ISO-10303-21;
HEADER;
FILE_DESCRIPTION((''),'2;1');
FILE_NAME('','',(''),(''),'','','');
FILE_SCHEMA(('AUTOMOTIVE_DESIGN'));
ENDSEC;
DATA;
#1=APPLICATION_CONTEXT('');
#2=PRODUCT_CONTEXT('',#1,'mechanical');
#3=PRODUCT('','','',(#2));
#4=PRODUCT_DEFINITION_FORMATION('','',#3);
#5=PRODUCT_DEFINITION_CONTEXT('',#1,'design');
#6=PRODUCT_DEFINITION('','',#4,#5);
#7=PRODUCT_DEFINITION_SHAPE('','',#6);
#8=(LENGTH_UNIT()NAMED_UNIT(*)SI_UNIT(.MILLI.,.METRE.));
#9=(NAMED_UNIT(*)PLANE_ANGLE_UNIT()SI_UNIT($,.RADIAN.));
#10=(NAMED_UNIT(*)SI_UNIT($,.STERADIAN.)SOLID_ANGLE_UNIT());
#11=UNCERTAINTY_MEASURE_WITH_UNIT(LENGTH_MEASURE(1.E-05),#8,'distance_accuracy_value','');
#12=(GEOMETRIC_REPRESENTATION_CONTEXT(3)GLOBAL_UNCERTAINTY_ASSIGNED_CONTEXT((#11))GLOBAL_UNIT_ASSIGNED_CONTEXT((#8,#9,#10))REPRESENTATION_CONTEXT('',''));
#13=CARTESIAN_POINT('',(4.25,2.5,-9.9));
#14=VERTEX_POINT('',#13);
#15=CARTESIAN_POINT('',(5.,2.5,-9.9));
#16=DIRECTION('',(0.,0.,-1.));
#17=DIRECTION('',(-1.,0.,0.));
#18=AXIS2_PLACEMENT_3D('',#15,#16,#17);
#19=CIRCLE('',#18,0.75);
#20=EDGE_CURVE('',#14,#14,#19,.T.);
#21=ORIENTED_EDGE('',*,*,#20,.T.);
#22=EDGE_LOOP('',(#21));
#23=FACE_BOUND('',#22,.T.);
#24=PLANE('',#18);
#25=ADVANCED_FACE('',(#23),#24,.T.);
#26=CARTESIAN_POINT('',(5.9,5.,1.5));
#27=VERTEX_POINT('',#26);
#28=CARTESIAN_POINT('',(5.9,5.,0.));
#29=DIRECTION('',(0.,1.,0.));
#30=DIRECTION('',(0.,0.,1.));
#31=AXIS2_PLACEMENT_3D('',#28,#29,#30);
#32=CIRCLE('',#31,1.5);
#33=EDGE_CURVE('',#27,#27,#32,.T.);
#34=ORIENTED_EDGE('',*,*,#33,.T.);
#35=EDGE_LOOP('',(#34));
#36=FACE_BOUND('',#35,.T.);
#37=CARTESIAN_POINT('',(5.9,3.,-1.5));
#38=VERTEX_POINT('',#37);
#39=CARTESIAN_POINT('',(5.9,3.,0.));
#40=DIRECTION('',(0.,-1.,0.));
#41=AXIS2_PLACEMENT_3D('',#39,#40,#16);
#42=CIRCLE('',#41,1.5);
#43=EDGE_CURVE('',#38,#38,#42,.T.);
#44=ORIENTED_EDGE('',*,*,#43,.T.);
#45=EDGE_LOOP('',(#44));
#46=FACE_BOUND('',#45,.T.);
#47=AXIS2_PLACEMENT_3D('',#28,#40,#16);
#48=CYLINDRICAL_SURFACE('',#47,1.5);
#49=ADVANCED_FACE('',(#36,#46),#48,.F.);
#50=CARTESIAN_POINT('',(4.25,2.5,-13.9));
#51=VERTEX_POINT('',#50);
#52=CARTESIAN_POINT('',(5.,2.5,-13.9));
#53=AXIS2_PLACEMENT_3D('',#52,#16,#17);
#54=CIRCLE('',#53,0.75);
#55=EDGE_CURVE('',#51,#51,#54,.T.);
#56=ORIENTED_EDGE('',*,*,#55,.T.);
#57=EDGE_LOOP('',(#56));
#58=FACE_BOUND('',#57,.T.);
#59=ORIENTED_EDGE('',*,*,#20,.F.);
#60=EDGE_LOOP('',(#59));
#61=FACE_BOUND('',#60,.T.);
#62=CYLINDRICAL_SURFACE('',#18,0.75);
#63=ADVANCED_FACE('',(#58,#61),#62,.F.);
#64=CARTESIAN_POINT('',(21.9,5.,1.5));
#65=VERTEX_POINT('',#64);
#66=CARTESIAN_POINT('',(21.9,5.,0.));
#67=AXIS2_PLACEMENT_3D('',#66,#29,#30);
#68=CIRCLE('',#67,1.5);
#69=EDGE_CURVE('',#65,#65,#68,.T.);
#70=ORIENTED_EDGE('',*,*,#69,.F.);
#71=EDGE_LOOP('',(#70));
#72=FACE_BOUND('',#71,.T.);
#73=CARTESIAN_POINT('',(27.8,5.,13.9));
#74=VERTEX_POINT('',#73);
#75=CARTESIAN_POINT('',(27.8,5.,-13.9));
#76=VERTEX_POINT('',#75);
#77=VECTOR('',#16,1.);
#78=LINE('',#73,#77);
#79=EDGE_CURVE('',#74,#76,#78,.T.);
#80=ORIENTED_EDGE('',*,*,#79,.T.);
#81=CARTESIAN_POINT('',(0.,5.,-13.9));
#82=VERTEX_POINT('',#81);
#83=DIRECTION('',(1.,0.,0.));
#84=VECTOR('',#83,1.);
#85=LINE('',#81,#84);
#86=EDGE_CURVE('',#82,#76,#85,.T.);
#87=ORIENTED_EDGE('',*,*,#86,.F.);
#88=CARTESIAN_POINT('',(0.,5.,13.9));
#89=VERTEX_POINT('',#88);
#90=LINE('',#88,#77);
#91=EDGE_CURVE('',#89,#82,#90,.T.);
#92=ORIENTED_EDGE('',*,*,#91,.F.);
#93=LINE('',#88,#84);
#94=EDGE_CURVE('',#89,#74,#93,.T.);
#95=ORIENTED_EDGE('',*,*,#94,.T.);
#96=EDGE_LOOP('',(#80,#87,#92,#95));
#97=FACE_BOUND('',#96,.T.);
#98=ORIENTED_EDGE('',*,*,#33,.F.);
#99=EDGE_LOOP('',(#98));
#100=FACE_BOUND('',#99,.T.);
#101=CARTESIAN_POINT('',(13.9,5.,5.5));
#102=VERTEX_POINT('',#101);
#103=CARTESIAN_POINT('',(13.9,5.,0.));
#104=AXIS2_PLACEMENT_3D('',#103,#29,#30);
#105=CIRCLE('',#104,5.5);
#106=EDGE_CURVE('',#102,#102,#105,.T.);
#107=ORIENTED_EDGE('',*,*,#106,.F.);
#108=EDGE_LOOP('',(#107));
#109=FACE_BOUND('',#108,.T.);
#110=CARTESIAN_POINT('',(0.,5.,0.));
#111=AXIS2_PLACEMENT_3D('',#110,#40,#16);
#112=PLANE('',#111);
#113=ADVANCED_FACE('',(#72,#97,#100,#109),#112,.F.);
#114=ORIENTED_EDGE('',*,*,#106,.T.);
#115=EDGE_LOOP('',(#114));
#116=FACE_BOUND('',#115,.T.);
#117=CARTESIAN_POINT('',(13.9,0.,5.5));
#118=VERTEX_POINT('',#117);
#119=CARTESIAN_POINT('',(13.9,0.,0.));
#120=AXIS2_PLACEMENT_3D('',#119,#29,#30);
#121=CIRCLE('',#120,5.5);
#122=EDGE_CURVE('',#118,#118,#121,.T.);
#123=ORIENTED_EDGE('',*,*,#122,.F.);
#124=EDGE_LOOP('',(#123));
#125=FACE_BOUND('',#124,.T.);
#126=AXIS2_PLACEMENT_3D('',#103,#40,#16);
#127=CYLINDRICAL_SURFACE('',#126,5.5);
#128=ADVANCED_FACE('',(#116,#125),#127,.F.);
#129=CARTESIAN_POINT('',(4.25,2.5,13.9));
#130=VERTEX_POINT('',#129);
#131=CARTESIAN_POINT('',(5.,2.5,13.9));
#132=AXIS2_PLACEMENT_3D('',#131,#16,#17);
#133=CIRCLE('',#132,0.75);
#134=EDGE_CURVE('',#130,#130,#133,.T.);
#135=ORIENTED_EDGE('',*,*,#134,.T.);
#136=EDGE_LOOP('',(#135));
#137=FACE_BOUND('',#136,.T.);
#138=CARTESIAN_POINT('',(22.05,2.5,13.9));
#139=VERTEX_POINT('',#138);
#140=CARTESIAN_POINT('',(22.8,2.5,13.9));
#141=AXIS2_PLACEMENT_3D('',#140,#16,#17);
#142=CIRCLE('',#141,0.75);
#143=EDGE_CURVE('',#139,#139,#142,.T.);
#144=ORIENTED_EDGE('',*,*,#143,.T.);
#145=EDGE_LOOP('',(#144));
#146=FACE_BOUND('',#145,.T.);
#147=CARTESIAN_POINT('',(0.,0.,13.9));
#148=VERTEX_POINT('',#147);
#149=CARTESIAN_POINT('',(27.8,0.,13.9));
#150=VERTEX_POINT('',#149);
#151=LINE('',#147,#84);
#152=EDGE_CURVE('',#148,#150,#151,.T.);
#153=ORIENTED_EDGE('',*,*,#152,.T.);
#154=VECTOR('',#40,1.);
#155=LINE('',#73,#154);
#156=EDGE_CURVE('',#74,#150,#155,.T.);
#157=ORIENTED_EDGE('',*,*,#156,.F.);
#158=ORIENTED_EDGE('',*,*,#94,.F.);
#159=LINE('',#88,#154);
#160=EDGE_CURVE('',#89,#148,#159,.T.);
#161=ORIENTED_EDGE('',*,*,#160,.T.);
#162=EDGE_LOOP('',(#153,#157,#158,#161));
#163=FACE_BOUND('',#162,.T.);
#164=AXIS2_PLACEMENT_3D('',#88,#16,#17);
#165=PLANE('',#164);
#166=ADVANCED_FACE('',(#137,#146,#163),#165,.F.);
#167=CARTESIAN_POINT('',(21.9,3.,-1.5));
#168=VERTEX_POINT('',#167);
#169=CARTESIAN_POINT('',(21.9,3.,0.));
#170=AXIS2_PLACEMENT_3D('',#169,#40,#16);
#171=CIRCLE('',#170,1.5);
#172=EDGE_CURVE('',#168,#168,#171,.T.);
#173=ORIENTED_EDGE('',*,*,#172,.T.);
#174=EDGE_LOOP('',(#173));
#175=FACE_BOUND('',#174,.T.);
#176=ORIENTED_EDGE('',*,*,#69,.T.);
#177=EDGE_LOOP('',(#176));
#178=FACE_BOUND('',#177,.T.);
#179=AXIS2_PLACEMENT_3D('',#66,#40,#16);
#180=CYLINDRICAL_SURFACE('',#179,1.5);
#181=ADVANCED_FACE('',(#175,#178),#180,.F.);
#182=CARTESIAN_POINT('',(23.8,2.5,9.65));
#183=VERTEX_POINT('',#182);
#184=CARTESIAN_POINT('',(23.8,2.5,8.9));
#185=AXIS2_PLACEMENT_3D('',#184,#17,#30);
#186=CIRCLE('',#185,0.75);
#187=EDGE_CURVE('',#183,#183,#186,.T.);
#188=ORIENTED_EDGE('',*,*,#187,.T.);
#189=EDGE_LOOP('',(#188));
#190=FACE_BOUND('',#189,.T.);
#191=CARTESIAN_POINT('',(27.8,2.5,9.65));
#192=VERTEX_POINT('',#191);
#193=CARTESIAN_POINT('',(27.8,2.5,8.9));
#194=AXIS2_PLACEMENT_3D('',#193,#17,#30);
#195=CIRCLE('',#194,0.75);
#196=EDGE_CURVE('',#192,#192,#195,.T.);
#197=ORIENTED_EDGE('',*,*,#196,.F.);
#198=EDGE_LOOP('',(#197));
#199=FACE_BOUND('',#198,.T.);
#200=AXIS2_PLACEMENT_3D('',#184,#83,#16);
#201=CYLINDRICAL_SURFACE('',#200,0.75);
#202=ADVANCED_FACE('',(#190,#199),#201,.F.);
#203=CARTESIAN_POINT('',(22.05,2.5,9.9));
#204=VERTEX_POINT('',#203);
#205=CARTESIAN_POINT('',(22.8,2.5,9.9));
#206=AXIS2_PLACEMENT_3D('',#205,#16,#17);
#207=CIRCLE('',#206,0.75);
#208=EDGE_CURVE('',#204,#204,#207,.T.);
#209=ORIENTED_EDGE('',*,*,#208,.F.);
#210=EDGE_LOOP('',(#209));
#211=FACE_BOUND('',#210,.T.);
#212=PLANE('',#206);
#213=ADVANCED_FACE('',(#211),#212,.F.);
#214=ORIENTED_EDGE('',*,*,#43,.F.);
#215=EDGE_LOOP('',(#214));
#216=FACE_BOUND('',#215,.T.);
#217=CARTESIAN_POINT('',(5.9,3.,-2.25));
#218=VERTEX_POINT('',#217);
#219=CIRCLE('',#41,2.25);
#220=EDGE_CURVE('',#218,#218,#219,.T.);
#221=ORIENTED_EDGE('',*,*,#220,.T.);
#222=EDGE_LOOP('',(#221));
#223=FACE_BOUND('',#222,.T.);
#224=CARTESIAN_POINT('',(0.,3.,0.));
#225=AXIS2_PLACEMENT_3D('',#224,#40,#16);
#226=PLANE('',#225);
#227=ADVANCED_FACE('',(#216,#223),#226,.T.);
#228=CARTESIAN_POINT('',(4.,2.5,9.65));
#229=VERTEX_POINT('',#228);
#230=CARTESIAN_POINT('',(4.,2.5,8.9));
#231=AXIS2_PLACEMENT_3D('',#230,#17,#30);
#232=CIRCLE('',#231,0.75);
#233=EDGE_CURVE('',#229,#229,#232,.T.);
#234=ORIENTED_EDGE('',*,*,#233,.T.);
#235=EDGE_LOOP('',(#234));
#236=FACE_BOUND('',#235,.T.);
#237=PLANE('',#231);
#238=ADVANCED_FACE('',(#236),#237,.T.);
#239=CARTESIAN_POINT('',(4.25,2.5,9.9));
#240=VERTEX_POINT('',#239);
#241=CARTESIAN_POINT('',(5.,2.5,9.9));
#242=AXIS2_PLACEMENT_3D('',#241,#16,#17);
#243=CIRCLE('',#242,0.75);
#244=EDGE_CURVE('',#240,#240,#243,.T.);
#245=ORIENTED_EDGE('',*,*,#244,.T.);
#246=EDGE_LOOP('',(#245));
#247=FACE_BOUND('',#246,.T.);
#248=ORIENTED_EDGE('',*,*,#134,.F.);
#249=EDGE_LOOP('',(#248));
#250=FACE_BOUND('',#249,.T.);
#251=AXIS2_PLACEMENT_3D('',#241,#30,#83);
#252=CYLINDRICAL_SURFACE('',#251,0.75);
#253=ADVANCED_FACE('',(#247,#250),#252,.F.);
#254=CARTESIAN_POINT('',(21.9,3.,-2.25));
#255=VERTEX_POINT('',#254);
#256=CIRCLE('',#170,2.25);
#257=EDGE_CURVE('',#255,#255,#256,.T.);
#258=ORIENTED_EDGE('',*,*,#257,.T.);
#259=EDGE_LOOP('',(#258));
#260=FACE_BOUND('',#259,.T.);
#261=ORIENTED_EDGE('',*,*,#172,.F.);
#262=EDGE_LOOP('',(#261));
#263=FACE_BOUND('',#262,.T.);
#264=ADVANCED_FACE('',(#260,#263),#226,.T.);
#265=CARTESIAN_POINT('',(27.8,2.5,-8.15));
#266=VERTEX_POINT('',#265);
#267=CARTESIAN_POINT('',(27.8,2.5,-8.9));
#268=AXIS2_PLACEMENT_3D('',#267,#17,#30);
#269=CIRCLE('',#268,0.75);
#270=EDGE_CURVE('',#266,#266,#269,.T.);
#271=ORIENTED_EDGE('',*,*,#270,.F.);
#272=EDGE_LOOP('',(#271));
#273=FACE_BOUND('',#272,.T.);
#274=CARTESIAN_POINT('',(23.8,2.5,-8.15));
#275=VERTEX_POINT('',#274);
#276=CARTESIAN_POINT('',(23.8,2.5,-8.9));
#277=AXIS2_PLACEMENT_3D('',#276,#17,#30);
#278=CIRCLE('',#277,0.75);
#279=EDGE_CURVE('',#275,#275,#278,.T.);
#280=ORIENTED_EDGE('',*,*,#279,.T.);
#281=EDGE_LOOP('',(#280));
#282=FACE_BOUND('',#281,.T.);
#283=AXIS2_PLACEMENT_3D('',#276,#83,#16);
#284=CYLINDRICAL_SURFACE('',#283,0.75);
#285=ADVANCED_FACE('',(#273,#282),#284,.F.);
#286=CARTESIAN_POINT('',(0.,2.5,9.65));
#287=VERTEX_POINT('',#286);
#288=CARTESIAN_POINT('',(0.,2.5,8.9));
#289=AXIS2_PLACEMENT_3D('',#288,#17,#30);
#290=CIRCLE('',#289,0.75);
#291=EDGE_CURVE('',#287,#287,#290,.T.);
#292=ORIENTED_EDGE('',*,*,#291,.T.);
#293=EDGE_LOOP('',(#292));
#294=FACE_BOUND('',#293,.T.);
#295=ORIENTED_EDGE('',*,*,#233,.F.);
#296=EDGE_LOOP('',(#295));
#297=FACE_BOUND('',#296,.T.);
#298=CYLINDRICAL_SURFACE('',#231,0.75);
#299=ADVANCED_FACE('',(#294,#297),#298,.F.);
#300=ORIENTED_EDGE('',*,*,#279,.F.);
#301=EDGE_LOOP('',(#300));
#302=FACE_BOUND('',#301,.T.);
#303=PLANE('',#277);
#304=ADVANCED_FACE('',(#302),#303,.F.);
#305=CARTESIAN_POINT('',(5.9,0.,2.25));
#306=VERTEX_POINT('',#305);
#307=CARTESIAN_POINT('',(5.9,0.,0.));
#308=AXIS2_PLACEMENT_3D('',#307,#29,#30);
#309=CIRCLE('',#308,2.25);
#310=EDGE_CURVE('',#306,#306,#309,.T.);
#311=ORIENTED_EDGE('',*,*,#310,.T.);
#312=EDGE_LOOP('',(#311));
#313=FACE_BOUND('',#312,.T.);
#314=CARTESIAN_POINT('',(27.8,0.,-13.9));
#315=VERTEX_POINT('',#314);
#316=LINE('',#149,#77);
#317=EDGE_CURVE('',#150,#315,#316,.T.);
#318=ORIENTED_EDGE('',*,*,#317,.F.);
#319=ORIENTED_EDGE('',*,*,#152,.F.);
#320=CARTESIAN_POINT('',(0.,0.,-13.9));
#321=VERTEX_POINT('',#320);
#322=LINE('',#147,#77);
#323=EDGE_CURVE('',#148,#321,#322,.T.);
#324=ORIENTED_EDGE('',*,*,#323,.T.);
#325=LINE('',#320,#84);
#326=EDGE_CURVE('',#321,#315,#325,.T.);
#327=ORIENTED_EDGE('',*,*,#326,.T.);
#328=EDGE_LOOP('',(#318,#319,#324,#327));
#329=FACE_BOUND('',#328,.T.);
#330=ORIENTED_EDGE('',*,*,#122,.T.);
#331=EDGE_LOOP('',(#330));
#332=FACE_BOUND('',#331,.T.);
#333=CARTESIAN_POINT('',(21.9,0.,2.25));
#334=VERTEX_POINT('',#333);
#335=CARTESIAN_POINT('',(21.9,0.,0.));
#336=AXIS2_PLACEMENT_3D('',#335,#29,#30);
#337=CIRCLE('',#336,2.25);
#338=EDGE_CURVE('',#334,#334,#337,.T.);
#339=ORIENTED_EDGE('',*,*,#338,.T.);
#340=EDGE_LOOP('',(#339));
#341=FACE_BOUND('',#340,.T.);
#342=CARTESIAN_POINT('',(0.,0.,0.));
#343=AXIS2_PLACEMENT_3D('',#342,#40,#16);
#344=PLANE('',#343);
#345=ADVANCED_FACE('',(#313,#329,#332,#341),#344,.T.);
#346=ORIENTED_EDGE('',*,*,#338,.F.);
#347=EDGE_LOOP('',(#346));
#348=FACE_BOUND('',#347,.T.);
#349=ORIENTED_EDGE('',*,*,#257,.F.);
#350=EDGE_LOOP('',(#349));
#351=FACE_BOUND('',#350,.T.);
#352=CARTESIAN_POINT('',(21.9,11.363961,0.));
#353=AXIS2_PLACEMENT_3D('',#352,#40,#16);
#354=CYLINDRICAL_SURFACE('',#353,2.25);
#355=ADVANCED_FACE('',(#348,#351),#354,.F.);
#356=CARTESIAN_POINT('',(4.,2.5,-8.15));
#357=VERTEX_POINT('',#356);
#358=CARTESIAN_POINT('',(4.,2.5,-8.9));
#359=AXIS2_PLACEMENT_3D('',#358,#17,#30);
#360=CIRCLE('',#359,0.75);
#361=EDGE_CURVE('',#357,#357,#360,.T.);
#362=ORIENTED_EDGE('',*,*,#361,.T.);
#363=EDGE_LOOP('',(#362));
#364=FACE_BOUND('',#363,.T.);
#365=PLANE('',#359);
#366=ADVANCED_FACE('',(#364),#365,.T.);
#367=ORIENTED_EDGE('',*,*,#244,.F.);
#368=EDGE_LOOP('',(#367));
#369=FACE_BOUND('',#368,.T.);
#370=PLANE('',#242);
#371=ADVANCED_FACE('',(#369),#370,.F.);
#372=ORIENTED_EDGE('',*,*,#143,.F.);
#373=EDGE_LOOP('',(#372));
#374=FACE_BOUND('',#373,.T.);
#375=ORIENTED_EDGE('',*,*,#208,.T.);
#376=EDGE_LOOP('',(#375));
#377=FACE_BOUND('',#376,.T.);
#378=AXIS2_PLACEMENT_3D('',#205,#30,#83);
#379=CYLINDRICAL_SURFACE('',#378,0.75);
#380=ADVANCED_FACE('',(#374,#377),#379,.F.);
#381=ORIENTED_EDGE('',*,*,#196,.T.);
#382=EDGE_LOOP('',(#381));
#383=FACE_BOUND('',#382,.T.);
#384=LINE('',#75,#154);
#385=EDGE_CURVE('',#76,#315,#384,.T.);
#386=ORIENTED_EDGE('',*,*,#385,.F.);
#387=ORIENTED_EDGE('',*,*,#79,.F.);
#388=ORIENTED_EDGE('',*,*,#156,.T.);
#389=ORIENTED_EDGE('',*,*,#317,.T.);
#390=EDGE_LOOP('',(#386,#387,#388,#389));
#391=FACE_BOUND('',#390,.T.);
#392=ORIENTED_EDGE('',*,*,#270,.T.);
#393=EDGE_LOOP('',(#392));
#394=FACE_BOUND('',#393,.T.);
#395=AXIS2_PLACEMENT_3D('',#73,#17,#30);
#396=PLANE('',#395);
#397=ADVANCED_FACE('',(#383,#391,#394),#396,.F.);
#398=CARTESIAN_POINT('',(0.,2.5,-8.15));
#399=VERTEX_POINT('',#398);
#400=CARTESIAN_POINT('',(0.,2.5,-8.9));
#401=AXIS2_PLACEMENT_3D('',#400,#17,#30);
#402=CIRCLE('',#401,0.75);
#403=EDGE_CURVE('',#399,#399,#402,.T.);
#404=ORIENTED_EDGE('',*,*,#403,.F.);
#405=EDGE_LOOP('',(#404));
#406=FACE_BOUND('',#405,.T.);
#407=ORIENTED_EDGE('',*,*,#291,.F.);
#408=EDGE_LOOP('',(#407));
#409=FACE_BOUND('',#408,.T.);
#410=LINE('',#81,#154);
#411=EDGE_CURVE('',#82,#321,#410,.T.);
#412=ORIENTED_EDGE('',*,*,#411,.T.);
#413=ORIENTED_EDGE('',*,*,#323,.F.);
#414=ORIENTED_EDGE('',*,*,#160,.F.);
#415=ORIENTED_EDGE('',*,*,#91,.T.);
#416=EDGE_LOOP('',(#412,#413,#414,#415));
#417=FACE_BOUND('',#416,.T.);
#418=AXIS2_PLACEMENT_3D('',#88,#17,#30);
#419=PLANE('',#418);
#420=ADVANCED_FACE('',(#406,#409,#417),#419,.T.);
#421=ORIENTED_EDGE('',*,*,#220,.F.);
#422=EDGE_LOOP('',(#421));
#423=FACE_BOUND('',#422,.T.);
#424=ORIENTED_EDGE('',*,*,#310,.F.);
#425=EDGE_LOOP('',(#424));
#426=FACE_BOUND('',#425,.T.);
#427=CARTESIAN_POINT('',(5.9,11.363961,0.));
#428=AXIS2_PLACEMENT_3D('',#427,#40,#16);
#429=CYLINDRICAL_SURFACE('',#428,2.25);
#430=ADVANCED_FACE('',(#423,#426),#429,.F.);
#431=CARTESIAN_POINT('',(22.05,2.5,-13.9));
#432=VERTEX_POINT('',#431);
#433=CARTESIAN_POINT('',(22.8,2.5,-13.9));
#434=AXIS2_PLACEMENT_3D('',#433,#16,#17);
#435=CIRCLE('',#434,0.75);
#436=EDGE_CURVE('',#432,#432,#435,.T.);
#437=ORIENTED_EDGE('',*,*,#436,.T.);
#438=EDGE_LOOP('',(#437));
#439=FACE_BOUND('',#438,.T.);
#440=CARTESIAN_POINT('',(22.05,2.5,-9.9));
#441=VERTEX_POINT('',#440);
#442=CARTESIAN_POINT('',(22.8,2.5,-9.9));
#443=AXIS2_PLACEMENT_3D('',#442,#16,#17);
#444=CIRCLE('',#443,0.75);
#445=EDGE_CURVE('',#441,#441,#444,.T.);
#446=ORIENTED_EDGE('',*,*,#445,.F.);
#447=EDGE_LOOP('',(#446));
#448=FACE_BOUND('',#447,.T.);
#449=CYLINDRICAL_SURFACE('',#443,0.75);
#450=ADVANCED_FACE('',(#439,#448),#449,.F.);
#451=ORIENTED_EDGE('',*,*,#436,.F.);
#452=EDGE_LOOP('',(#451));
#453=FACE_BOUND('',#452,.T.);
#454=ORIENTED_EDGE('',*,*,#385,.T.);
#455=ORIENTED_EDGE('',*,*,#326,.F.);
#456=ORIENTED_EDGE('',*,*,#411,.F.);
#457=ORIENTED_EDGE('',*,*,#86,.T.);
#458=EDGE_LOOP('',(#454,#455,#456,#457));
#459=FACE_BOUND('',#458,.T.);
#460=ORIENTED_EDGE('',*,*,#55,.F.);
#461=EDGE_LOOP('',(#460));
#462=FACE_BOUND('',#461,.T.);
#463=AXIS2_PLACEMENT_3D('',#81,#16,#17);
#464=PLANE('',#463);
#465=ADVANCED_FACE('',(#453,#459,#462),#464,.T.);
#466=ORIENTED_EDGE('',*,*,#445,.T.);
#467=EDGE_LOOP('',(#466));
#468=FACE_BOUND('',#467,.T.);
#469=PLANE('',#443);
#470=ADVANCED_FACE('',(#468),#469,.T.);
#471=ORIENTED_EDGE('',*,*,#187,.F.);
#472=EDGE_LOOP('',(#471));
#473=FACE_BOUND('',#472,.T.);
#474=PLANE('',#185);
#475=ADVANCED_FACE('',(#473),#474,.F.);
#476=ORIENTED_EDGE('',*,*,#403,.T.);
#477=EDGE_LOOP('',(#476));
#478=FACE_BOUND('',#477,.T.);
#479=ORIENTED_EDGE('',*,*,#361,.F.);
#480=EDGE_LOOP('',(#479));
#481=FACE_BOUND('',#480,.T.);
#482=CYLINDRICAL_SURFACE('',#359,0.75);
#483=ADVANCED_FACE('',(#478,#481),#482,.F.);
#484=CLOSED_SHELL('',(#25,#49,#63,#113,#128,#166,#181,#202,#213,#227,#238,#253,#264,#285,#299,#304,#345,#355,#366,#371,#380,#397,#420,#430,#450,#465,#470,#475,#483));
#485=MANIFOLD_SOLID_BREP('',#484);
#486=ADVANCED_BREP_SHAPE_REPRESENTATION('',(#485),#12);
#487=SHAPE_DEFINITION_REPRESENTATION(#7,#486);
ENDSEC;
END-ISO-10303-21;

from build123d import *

# Parameters (mm, degrees)
SKETCH_1_W          = 27.8
SKETCH_1_H          = 27.8
SKETCH_1_R          = 5.5
EXTRUDE_1_DEPTH     = 5
SKETCH_1_15_R       = 1.5
CUT_EXTRUDE_1_DEPTH = 32.480946619
SKETCH_1_16_R       = 2.25
CUT_EXTRUDE_2_DEPTH = 3
SKETCH_2_R          = 0.75
CUT_EXTRUDE_3_DEPTH = 4
CUT_EXTRUDE_START   = -23.8
SKETCH_2_3_R        = 0.75
CUT_EXTRUDE_4_DEPTH = 4
SKETCH_3_R          = 0.75
CUT_EXTRUDE_5_DEPTH = 4
SKETCH_3_3_R        = 0.75
CUT_EXTRUDE_6_DEPTH = 4


with BuildPart() as part:
    # 草图1 → 凸台-拉伸1 (new body)
    with BuildSketch(Plane(origin=(0, 0, 0), x_dir=(1, 0, 0), z_dir=(0, 1, 0))):
        with Locations((13.9, 0)):
            Rectangle(SKETCH_1_W, SKETCH_1_H)
        with Locations(Location((13.9, 0, 0), (0, 0, 270))):
            Circle(SKETCH_1_R, mode=Mode.SUBTRACT)
    extrude(amount=EXTRUDE_1_DEPTH)

    # 草图1<15> → 切除-拉伸1 (cut, through all)
    with BuildSketch(Plane(origin=(0, 0, 0), x_dir=(1, 0, 0), z_dir=(0, 1, 0))):
        with Locations(Location((5.9, 0, 0), (0, 0, 270))):
            Circle(SKETCH_1_15_R)
        with Locations(Location((21.9, 0, 0), (0, 0, 270))):
            Circle(SKETCH_1_15_R)
    extrude(amount=CUT_EXTRUDE_1_DEPTH, mode=Mode.SUBTRACT)

    # 草图1<16> → 切除-拉伸2 (cut)
    with BuildSketch(Plane(origin=(0, 0, 0), x_dir=(1, 0, 0), z_dir=(0, 1, 0))):
        with Locations(Location((5.9, 0, 0), (0, 0, 90))):
            Circle(SKETCH_1_16_R)
        with Locations(Location((21.9, 0, 0), (0, 0, 90))):
            Circle(SKETCH_1_16_R)
    extrude(amount=CUT_EXTRUDE_2_DEPTH, mode=Mode.SUBTRACT)

    # 草图2 → 切除-拉伸3 (cut)
    with BuildSketch(Plane(origin=(0, 0, -13.9), x_dir=(-1, 0, 0), z_dir=(0, 0, -1))):
        with Locations((-22.8, 2.5)):
            Circle(SKETCH_2_R)
        with Locations((-5, 2.5)):
            Circle(SKETCH_2_R)
    extrude(amount=-CUT_EXTRUDE_3_DEPTH, mode=Mode.SUBTRACT)

    # 草图2<3> → 切除-拉伸4 (cut)
    with BuildSketch(Plane(origin=(0, 0, -13.9), x_dir=(-1, 0, 0), z_dir=(0, 0, -1)).offset(CUT_EXTRUDE_START)):
        with Locations((-22.8, 2.5)):
            Circle(SKETCH_2_3_R)
        with Locations((-5, 2.5)):
            Circle(SKETCH_2_3_R)
    extrude(amount=-CUT_EXTRUDE_4_DEPTH, mode=Mode.SUBTRACT)

    # 草图3 → 切除-拉伸5 (cut)
    with BuildSketch(Plane.ZY):
        with Locations((-8.9, 2.5)):
            Circle(SKETCH_3_R)
        with Locations((8.9, 2.5)):
            Circle(SKETCH_3_R)
    extrude(amount=-CUT_EXTRUDE_5_DEPTH, mode=Mode.SUBTRACT)

    # 草图3<3> → 切除-拉伸6 (cut)
    with BuildSketch(Plane.ZY.offset(CUT_EXTRUDE_START)):
        with Locations((-8.9, 2.5)):
            Circle(SKETCH_3_3_R)
        with Locations((8.9, 2.5)):
            Circle(SKETCH_3_3_R)
    extrude(amount=-CUT_EXTRUDE_6_DEPTH, mode=Mode.SUBTRACT)


solid = part.part
